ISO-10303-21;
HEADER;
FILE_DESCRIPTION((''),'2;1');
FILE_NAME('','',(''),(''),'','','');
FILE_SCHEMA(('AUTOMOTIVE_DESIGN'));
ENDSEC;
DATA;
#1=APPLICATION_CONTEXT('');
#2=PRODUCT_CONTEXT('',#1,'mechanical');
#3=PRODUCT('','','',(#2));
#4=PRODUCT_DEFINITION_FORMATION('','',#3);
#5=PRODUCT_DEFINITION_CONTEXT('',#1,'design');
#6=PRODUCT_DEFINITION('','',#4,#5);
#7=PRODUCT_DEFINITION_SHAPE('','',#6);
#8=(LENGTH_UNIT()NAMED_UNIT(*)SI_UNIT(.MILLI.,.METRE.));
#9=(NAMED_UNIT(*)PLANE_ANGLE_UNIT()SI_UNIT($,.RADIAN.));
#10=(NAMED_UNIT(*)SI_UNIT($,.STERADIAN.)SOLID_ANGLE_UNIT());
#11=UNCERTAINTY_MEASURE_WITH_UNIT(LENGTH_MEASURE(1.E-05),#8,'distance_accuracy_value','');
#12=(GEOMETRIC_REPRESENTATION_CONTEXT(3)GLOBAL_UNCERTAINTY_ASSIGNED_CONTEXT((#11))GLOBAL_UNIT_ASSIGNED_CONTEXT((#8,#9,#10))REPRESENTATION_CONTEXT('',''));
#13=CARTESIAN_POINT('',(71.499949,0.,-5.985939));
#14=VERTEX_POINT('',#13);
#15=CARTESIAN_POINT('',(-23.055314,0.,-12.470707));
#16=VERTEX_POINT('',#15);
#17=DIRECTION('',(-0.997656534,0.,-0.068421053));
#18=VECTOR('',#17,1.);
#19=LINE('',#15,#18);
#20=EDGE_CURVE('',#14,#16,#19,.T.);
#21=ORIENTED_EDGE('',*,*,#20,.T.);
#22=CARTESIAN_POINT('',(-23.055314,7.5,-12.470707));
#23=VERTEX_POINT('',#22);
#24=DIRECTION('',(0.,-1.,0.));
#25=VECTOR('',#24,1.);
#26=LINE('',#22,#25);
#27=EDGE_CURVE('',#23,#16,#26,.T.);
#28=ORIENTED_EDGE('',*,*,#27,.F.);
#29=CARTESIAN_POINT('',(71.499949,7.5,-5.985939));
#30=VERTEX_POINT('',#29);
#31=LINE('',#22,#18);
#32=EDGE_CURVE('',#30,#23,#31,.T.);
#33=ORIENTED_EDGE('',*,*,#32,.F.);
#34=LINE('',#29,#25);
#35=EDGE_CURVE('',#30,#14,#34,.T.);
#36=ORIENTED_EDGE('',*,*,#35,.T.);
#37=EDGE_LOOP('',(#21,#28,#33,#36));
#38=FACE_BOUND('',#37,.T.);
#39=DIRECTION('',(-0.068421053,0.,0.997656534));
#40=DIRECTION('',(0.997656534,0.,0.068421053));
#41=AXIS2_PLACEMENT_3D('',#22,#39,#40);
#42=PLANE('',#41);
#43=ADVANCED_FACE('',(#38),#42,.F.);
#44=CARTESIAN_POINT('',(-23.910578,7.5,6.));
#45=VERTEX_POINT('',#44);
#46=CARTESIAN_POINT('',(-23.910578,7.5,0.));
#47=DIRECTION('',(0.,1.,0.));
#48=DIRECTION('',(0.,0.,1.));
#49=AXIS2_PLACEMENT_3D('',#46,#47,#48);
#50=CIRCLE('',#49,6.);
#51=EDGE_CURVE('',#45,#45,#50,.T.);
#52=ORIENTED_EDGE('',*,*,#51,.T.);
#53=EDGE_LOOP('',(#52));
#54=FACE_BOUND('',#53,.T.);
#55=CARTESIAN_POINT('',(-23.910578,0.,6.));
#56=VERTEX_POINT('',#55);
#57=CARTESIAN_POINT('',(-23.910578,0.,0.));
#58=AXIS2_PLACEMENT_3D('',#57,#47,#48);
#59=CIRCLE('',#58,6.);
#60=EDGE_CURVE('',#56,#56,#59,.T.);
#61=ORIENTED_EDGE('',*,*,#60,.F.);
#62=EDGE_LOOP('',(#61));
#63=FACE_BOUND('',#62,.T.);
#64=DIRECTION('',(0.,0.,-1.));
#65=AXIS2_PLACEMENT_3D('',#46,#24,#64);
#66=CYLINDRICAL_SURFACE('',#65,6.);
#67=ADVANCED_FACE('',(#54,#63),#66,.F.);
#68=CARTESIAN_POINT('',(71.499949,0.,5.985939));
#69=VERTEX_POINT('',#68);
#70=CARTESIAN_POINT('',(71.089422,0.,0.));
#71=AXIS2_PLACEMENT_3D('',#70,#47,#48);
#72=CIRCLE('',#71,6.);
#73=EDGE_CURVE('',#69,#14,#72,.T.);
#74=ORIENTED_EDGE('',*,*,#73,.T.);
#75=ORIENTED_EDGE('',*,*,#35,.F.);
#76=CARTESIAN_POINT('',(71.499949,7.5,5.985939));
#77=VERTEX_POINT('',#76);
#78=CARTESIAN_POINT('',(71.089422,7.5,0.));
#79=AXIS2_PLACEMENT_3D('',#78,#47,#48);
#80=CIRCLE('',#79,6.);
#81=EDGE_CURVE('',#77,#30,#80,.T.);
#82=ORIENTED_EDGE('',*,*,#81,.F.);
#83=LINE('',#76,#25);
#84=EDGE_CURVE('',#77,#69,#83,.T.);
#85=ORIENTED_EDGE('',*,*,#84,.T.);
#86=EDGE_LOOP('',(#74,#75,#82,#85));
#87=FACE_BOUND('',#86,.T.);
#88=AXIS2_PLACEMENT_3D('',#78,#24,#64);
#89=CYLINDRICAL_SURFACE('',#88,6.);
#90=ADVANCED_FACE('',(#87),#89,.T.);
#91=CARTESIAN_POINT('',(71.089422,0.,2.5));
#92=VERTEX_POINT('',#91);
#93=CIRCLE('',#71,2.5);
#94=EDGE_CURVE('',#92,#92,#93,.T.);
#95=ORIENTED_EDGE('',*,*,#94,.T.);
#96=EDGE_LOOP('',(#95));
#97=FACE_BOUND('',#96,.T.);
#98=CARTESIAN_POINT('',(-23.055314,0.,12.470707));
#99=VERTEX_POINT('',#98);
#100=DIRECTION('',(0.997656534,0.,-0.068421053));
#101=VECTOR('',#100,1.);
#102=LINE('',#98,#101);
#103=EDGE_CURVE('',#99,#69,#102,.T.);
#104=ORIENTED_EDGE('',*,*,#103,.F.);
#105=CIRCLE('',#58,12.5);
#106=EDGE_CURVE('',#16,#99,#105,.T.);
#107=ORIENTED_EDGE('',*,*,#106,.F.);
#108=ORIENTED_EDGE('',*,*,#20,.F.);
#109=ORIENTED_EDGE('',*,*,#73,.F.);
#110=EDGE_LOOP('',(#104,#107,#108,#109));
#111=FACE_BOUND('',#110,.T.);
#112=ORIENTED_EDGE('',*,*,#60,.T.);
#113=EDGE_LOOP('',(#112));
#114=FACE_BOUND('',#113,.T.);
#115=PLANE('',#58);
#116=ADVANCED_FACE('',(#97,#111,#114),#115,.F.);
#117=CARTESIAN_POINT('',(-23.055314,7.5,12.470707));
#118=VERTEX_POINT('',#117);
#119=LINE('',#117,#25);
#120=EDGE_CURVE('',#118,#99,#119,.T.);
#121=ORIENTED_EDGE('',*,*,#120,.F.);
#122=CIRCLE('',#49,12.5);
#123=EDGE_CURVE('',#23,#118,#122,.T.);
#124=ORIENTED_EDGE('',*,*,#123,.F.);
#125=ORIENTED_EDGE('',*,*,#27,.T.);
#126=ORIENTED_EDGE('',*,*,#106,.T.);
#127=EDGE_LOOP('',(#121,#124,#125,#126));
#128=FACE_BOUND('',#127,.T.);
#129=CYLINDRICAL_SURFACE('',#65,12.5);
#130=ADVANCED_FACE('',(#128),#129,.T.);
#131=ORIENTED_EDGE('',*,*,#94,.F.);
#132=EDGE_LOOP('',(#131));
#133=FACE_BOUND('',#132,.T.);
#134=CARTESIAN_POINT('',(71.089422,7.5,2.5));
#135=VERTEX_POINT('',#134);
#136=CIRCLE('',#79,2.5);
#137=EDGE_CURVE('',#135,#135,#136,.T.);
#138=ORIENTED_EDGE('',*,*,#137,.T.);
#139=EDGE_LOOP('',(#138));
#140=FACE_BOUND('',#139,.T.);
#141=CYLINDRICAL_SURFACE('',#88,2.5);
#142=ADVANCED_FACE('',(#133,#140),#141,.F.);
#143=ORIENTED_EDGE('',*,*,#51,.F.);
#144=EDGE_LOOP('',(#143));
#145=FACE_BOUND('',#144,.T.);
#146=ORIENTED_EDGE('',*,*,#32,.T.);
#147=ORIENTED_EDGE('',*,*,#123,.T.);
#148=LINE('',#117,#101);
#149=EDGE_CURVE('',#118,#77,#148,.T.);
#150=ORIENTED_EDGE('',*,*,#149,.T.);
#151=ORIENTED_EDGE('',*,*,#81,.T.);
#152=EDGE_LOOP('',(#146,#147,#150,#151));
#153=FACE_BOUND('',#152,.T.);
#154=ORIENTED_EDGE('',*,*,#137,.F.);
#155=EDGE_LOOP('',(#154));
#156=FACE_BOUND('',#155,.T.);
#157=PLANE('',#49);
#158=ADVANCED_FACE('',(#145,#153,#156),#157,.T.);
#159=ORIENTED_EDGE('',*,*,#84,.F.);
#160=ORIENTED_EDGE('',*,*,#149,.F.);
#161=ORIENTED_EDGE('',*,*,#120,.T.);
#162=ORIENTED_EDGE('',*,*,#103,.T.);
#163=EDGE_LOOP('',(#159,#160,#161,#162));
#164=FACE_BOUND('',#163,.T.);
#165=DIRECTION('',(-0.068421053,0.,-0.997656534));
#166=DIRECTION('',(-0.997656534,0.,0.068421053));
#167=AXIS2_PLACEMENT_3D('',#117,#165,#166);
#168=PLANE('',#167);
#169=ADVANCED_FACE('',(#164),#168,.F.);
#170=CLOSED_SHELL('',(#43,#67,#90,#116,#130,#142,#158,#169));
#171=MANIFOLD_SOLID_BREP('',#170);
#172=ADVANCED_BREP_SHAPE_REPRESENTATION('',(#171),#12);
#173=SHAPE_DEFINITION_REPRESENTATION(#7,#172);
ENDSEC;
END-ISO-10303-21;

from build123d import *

# Parameters (mm, degrees)
SKETCH2_R           = 2.5
SKETCH2_R_2         = 6
BOSS_EXTRUDE1_DEPTH = 7.5


with BuildPart() as part:
    # Sketch2 → Boss-Extrude1 (new body)
    with BuildSketch(Plane(origin=(0, 0, 0), x_dir=(1, 0, 0), z_dir=(0, 1, 0))):
        with BuildLine():
            Line((-23.055314395, 12.470706673), (71.499948763, 5.985939203))
            ThreePointArc((71.499948763, 5.985939203), (77.089422447, 0), (71.499948763, -5.985939203))
            Line((71.499948763, -5.985939203), (-23.055314395, -12.470706673))
            ThreePointArc((-23.055314395, -12.470706673), (-36.410577553, 0), (-23.055314395, 12.470706673))
        make_face()
        with Locations(Location((71.089422447, 0, 0), (0, 0, 270))):
            Circle(SKETCH2_R, mode=Mode.SUBTRACT)
        with Locations(Location((-23.910577553, 0, 0), (0, 0, 270))):
            Circle(SKETCH2_R_2, mode=Mode.SUBTRACT)
    extrude(amount=BOSS_EXTRUDE1_DEPTH)


solid = part.part
